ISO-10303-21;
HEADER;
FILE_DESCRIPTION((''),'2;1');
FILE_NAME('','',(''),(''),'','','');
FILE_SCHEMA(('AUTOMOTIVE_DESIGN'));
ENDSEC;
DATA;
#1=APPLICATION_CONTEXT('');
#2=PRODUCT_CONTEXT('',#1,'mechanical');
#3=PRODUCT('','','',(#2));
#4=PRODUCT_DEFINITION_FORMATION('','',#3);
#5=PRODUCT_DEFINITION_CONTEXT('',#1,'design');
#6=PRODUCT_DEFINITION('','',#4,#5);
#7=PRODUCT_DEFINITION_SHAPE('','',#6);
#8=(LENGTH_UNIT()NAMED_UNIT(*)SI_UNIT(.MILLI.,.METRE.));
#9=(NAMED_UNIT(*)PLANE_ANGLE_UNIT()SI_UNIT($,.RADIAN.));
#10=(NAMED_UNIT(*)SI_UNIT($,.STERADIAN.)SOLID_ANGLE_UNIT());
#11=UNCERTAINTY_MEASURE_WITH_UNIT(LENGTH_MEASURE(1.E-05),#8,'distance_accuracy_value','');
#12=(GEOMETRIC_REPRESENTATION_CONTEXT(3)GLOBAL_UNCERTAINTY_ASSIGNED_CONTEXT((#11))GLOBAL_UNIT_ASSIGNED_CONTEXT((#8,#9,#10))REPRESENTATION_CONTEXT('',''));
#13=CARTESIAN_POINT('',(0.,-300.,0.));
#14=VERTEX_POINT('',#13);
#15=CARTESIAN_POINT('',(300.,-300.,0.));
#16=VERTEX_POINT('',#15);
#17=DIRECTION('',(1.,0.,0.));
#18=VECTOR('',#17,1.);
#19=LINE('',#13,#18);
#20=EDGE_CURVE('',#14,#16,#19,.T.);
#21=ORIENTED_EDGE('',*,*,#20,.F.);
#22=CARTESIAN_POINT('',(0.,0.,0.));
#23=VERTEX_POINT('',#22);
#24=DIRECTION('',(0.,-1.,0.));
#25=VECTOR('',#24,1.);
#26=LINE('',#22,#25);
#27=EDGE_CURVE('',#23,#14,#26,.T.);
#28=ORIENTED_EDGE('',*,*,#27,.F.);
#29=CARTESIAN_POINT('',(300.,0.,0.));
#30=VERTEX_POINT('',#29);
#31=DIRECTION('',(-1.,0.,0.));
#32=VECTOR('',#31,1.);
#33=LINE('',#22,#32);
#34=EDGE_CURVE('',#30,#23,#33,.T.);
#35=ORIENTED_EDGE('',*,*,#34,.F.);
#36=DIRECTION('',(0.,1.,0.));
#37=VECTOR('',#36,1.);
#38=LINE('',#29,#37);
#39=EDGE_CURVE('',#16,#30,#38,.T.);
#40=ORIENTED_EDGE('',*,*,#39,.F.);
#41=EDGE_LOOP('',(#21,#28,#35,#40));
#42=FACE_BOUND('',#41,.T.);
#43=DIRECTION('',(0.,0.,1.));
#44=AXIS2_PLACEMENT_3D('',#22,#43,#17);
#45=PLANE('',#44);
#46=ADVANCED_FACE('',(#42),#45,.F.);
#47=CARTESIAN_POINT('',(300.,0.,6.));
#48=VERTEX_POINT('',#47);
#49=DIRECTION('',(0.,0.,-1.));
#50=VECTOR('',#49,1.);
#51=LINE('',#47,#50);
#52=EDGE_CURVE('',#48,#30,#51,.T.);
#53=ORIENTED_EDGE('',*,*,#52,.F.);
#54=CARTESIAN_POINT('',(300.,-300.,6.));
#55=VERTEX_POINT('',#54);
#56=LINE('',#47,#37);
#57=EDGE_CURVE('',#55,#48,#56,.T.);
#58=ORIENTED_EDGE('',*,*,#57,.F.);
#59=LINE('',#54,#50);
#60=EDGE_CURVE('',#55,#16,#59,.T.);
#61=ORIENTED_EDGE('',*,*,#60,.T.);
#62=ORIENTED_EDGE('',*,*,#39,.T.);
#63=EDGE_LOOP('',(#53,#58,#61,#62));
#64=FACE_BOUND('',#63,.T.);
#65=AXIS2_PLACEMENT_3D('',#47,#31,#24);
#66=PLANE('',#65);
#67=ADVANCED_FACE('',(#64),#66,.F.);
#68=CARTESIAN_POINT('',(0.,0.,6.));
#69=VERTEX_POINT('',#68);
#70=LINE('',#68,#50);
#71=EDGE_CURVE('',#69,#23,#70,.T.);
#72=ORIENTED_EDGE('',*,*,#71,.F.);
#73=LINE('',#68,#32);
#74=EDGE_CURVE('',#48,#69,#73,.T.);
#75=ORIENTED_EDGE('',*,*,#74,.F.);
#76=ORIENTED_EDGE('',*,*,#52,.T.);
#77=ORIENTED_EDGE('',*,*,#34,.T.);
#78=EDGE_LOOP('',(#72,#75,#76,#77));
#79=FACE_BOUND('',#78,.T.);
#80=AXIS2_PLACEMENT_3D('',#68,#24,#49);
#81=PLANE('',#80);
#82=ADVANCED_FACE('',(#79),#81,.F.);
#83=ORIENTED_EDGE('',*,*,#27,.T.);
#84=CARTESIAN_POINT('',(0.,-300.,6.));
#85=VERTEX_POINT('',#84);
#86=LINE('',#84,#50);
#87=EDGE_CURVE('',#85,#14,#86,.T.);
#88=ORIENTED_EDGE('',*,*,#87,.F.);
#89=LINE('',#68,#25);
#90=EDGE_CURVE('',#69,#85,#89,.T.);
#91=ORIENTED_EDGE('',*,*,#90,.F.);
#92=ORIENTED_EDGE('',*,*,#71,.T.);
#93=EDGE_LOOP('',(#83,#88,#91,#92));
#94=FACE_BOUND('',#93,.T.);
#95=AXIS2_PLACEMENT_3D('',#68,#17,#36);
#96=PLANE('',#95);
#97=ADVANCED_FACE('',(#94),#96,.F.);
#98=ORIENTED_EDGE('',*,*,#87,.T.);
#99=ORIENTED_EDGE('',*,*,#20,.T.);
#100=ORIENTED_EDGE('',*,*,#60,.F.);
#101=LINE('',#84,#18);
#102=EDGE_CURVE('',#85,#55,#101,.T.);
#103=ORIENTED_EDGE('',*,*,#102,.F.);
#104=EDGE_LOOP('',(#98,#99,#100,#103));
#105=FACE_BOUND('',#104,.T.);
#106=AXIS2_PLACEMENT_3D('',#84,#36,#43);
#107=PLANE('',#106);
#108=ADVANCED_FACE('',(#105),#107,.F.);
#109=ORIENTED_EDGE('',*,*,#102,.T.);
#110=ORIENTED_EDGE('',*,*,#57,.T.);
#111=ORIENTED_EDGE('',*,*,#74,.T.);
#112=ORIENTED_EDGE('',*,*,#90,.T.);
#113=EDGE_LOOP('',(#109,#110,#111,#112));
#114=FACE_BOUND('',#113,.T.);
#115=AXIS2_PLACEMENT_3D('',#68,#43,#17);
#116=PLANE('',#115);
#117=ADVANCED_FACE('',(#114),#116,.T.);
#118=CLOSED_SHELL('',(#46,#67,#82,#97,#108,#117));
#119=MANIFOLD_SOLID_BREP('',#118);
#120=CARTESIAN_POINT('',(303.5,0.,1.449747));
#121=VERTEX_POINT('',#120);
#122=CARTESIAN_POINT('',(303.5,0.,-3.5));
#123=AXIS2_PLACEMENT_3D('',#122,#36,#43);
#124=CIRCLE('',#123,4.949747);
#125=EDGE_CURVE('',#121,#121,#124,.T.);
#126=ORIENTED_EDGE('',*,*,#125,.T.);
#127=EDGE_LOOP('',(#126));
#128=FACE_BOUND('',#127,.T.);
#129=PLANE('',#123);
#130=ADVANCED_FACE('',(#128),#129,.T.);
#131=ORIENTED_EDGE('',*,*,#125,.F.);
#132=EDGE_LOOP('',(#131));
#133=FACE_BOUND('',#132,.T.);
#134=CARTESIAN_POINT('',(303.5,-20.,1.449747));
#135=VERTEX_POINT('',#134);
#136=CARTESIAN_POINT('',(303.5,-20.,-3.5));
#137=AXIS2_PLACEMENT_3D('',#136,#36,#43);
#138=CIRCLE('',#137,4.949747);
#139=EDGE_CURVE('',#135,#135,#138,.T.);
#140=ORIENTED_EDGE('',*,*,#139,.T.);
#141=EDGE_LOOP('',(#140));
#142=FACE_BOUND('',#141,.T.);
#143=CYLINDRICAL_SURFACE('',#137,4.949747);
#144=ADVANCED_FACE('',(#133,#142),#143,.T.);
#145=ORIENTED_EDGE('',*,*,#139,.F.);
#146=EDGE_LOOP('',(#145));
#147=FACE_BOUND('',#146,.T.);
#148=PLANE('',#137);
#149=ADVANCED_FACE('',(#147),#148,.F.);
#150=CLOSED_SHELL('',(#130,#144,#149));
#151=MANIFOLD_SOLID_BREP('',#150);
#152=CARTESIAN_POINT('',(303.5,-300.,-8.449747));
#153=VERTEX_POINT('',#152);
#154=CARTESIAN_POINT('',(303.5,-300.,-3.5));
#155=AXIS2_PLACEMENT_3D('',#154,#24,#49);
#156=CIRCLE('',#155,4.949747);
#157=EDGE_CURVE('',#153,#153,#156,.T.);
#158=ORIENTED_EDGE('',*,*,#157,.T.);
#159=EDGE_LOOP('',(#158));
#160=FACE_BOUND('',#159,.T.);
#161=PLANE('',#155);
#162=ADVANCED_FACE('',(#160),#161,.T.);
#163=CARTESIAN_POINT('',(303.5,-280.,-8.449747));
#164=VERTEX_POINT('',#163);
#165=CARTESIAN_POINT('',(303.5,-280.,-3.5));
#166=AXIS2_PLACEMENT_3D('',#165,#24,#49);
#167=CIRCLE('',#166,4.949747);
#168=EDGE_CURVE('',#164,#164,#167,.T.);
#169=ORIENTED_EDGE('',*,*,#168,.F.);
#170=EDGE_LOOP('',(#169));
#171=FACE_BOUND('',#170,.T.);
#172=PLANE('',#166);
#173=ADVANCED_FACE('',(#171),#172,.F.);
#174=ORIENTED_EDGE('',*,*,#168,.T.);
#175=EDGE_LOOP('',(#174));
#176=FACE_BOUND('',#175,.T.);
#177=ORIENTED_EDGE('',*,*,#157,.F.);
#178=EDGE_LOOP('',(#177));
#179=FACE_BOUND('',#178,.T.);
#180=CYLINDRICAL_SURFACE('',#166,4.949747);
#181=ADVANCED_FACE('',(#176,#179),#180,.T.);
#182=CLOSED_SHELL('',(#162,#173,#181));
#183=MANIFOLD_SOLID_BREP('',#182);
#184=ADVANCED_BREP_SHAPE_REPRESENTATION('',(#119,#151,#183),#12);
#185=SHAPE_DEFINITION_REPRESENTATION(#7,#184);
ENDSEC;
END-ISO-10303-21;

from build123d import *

# Parameters (mm, degrees)
CROQUIS1_W              = 300
CROQUIS1_H              = 300
SALIENTE_EXTRUIR1_DEPTH = 6
CROQUIS2_R              = 4.949747468
SALIENTE_EXTRUIR2_DEPTH = 20
CROQUIS3_R              = 4.949747468
SALIENTE_EXTRUIR3_DEPTH = 20


with BuildPart() as part:
    # Croquis1 → Saliente-Extruir1 (new body)
    with BuildSketch(Plane.XY):
        with Locations((150, -150)):
            Rectangle(CROQUIS1_W, CROQUIS1_H)
    extrude(amount=SALIENTE_EXTRUIR1_DEPTH)


with BuildPart() as body_2:
    # Croquis2 → Saliente-Extruir2 (new body)
    with BuildSketch(Plane(origin=(0, 0, 0), x_dir=(1, 0, 0), z_dir=(0, 1, 0))):
        with Locations(Location((303.5, 3.5, 0), (0, 0, 270))):
            Circle(CROQUIS2_R)
    extrude(amount=-SALIENTE_EXTRUIR2_DEPTH)


with BuildPart() as body_3:
    # Croquis3 → Saliente-Extruir3 (new body)
    with BuildSketch(Plane.XZ.offset(300)):
        with Locations(Location((303.5, -3.5, 0), (0, 0, 270))):
            Circle(CROQUIS3_R)
    extrude(amount=-SALIENTE_EXTRUIR3_DEPTH)


solid = Compound([part.part, body_2.part, body_3.part])
